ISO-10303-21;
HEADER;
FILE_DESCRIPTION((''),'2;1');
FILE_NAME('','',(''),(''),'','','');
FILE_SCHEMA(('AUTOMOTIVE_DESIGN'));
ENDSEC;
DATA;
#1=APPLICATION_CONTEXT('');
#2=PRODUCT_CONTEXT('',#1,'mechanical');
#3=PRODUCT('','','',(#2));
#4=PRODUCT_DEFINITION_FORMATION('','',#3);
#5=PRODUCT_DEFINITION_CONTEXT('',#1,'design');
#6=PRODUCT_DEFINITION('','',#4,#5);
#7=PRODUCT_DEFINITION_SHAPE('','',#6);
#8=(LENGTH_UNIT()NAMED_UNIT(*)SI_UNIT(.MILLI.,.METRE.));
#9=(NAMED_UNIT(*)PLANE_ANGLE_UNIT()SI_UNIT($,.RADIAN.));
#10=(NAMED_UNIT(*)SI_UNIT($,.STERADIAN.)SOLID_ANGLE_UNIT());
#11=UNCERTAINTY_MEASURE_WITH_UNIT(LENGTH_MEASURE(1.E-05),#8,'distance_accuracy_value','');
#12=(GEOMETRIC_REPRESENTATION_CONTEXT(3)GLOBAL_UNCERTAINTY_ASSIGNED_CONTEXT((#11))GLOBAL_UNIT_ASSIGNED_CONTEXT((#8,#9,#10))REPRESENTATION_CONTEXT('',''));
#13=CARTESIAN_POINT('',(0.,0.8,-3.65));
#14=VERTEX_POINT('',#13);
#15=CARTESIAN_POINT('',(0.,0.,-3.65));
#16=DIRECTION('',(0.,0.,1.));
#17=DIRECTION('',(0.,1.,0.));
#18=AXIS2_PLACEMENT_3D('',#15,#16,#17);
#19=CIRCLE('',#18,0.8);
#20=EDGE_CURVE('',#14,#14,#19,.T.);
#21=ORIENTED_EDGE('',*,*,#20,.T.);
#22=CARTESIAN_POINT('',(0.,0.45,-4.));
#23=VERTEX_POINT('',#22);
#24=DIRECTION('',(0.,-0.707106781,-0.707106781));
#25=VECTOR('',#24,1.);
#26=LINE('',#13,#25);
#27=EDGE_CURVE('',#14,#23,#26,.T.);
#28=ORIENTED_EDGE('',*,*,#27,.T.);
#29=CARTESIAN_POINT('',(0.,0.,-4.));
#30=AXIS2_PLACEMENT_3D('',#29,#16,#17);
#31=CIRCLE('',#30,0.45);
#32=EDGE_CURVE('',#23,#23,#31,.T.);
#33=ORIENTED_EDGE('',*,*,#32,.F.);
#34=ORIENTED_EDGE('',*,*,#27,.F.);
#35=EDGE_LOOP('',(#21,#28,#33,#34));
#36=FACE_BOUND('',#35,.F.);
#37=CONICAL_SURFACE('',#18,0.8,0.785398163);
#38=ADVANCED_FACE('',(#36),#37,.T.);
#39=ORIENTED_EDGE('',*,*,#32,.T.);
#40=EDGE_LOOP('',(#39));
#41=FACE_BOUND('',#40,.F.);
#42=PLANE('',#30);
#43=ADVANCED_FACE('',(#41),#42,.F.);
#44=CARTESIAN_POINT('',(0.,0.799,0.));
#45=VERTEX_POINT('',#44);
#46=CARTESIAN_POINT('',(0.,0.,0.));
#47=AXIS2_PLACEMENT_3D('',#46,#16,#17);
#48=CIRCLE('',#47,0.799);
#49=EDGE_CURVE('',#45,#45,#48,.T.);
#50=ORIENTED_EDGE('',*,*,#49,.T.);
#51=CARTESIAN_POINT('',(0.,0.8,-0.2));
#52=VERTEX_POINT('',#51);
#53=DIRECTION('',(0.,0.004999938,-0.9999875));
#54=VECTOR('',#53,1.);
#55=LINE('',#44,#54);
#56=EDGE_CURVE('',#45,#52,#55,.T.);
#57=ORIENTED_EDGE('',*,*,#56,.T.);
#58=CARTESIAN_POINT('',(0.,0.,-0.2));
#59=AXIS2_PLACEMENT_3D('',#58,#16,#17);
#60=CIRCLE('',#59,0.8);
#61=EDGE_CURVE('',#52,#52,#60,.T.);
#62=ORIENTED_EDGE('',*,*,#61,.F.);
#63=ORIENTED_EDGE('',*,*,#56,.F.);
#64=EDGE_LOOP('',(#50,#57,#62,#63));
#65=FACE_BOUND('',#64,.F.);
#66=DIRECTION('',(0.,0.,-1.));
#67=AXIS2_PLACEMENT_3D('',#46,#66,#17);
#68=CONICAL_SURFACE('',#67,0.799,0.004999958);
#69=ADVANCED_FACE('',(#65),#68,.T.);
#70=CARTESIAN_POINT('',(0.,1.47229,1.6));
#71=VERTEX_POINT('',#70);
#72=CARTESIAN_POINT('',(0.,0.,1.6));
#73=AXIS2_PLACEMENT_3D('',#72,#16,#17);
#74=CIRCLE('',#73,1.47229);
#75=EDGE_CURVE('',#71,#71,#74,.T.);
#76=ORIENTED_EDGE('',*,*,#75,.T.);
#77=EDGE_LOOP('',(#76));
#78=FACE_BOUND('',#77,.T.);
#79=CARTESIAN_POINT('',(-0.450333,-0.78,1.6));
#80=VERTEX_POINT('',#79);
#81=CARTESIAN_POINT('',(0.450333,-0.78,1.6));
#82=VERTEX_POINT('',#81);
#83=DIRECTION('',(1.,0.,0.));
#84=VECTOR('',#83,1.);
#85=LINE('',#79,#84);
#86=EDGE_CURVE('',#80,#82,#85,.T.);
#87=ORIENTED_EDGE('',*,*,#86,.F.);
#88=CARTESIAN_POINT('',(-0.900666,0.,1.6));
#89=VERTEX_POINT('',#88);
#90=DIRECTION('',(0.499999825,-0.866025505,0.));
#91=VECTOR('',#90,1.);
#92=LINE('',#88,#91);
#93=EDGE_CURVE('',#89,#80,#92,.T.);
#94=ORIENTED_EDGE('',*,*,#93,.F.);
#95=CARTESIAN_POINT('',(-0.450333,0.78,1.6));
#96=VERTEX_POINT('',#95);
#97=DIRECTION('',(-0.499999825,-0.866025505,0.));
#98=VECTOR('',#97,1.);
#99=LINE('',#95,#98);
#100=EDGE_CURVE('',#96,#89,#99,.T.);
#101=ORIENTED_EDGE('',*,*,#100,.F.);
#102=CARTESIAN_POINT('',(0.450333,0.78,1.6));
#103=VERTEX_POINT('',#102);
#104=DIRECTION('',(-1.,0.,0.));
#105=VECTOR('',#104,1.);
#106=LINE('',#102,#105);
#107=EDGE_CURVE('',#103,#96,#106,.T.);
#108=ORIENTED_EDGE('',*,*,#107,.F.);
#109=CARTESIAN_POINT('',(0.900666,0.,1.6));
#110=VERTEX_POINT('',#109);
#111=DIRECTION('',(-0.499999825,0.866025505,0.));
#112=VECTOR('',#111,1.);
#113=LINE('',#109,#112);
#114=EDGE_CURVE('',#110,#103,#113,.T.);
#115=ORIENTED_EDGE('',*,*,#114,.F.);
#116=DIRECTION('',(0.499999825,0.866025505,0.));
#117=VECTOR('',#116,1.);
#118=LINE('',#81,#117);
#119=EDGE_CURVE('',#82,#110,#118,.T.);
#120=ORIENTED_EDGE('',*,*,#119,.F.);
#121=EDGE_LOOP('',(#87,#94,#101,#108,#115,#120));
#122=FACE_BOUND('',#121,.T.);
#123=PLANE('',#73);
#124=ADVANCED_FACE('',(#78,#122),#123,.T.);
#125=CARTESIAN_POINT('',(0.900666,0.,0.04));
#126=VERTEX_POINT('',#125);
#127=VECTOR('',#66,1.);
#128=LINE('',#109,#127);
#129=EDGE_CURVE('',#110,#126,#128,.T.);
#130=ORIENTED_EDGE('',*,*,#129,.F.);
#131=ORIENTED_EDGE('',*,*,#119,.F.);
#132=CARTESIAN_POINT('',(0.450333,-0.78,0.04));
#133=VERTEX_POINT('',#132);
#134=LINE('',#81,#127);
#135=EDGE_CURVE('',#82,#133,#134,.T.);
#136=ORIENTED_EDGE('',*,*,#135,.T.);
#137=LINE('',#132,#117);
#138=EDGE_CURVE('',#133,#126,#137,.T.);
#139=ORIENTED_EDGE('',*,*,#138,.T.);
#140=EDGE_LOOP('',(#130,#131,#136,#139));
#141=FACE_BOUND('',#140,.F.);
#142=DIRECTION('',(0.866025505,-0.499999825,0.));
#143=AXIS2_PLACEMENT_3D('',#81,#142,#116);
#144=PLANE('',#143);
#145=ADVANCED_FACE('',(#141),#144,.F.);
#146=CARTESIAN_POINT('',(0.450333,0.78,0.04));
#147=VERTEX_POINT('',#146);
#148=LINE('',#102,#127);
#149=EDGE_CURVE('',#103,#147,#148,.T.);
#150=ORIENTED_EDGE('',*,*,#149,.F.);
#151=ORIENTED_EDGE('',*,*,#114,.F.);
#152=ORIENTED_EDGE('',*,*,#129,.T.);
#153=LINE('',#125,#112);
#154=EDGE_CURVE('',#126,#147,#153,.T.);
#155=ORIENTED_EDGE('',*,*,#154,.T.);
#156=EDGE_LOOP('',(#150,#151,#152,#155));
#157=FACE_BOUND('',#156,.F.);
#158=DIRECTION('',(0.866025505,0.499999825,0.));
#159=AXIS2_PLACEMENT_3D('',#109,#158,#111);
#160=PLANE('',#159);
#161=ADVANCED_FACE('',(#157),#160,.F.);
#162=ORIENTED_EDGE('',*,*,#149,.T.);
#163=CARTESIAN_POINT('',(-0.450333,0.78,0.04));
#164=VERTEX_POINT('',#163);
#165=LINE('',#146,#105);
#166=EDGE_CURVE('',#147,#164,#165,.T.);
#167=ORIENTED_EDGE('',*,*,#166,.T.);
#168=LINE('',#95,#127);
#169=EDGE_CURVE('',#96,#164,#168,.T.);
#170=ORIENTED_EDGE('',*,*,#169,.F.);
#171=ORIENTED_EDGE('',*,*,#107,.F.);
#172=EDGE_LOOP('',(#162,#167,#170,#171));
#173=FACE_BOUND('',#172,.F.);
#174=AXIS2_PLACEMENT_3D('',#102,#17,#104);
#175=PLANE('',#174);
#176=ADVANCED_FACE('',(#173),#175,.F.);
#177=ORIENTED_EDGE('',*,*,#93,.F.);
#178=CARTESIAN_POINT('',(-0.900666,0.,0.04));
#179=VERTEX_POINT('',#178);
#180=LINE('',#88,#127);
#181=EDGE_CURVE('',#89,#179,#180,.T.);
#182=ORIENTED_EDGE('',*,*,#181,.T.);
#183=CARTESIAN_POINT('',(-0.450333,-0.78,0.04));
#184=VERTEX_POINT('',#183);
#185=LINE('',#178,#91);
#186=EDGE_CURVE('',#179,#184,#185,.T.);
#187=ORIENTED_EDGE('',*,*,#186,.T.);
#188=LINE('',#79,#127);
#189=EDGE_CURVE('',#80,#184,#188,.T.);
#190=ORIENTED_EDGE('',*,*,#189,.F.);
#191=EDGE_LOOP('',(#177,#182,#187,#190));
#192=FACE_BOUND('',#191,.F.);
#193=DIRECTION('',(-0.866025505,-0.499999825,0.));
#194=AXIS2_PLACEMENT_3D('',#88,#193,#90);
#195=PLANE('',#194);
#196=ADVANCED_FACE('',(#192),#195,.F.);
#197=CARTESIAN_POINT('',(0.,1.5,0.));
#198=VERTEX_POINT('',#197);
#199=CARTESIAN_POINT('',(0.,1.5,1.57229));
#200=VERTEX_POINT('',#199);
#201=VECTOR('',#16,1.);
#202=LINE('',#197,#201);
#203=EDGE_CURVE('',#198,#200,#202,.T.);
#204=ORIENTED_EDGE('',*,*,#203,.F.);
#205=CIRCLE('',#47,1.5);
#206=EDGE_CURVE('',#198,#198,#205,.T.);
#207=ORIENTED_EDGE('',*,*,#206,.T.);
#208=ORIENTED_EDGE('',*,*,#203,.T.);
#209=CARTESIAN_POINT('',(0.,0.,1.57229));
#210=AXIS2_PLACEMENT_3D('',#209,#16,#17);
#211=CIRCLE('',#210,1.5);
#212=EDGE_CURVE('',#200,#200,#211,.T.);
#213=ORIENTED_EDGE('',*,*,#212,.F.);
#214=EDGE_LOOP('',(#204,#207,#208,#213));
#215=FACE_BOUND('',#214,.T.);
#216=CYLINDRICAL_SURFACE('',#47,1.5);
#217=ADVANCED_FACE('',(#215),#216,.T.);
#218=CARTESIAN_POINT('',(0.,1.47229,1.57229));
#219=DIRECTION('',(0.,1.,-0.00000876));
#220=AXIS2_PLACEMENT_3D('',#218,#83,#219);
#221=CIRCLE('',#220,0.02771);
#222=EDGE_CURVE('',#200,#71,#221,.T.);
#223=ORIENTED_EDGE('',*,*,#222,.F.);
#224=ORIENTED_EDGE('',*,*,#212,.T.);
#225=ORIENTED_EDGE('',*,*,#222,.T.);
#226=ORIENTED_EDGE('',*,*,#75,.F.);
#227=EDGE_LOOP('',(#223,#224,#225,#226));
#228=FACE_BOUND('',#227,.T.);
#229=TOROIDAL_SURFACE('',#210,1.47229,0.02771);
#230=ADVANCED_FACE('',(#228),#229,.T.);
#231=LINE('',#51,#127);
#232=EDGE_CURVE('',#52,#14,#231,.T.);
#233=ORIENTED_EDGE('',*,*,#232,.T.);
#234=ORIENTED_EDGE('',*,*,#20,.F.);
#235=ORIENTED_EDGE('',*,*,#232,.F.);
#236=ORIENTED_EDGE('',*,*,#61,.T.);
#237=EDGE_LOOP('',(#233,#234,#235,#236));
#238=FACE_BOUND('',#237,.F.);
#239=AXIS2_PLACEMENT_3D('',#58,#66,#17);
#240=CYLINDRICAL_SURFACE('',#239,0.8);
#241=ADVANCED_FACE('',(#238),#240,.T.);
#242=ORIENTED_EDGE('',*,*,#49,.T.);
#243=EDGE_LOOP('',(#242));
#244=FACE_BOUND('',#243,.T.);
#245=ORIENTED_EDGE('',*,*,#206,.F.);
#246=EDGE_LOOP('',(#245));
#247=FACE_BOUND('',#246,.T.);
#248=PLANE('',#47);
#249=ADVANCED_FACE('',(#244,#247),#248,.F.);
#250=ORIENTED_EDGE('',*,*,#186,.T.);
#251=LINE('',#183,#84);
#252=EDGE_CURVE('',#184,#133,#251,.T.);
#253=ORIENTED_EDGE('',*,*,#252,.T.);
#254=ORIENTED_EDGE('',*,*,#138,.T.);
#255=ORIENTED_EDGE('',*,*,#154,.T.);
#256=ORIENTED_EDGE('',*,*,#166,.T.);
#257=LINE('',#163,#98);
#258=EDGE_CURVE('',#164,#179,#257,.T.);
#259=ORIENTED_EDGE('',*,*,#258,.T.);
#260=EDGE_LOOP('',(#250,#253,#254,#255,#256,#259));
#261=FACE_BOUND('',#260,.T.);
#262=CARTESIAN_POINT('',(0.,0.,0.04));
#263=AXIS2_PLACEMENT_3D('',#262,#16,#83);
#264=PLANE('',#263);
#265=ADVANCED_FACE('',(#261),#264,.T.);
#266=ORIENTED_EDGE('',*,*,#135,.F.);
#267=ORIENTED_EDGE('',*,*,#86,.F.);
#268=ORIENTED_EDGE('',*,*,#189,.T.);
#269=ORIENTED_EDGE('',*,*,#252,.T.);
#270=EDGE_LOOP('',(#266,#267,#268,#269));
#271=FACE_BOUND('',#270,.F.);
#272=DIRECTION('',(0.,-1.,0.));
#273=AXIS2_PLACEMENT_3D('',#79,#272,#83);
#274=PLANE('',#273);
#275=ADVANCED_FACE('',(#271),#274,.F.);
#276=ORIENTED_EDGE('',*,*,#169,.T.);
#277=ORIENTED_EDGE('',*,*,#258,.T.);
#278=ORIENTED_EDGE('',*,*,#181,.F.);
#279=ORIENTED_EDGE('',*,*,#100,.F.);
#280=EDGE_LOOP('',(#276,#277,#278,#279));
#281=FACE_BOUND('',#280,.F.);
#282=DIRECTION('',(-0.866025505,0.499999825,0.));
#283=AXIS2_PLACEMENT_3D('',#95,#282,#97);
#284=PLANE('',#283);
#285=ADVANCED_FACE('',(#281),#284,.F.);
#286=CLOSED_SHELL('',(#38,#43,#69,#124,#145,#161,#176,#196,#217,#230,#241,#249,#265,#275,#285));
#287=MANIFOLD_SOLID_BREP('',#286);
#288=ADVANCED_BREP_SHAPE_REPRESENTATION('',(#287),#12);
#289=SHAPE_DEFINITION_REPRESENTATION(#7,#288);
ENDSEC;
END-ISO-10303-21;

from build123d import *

# Parameters (mm, degrees)
POCKET_DEPTH = 1.56


with BuildPart() as part:
    # Sketch → Revolve (revolve)
    with BuildSketch(Plane.YZ):
        with BuildLine():
            Line((0.799, 0), (1.5, 0))
            Line((1.5, 0), (1.5, 1.57229))
            ThreePointArc((1.5, 1.57229), (1.491884, 1.591884), (1.47229, 1.6))
            Line((1.47229, 1.6), (0, 1.6))
            Line((0, -4), (0, 1.6))
            Line((0.45, -4), (0, -4))
            Line((0.8, -3.65), (0.45, -4))
            Line((0.8, -0.2), (0.8, -3.65))
            Line((0.799, 0), (0.8, -0.2))
        make_face()
    revolve(axis=Axis((0, 0, 0), (0, 0, 1)))

    # Sketch001 → Pocket (cut)
    with BuildSketch(Plane.XY.offset(1.6)):
        Polygon((0.900666, 0), (0.450333, 0.78), (-0.450333, 0.78), (-0.900666, 0), (-0.450333, -0.78), (0.450333, -0.78), align=None)
    extrude(amount=-POCKET_DEPTH, mode=Mode.SUBTRACT)


solid = part.part
